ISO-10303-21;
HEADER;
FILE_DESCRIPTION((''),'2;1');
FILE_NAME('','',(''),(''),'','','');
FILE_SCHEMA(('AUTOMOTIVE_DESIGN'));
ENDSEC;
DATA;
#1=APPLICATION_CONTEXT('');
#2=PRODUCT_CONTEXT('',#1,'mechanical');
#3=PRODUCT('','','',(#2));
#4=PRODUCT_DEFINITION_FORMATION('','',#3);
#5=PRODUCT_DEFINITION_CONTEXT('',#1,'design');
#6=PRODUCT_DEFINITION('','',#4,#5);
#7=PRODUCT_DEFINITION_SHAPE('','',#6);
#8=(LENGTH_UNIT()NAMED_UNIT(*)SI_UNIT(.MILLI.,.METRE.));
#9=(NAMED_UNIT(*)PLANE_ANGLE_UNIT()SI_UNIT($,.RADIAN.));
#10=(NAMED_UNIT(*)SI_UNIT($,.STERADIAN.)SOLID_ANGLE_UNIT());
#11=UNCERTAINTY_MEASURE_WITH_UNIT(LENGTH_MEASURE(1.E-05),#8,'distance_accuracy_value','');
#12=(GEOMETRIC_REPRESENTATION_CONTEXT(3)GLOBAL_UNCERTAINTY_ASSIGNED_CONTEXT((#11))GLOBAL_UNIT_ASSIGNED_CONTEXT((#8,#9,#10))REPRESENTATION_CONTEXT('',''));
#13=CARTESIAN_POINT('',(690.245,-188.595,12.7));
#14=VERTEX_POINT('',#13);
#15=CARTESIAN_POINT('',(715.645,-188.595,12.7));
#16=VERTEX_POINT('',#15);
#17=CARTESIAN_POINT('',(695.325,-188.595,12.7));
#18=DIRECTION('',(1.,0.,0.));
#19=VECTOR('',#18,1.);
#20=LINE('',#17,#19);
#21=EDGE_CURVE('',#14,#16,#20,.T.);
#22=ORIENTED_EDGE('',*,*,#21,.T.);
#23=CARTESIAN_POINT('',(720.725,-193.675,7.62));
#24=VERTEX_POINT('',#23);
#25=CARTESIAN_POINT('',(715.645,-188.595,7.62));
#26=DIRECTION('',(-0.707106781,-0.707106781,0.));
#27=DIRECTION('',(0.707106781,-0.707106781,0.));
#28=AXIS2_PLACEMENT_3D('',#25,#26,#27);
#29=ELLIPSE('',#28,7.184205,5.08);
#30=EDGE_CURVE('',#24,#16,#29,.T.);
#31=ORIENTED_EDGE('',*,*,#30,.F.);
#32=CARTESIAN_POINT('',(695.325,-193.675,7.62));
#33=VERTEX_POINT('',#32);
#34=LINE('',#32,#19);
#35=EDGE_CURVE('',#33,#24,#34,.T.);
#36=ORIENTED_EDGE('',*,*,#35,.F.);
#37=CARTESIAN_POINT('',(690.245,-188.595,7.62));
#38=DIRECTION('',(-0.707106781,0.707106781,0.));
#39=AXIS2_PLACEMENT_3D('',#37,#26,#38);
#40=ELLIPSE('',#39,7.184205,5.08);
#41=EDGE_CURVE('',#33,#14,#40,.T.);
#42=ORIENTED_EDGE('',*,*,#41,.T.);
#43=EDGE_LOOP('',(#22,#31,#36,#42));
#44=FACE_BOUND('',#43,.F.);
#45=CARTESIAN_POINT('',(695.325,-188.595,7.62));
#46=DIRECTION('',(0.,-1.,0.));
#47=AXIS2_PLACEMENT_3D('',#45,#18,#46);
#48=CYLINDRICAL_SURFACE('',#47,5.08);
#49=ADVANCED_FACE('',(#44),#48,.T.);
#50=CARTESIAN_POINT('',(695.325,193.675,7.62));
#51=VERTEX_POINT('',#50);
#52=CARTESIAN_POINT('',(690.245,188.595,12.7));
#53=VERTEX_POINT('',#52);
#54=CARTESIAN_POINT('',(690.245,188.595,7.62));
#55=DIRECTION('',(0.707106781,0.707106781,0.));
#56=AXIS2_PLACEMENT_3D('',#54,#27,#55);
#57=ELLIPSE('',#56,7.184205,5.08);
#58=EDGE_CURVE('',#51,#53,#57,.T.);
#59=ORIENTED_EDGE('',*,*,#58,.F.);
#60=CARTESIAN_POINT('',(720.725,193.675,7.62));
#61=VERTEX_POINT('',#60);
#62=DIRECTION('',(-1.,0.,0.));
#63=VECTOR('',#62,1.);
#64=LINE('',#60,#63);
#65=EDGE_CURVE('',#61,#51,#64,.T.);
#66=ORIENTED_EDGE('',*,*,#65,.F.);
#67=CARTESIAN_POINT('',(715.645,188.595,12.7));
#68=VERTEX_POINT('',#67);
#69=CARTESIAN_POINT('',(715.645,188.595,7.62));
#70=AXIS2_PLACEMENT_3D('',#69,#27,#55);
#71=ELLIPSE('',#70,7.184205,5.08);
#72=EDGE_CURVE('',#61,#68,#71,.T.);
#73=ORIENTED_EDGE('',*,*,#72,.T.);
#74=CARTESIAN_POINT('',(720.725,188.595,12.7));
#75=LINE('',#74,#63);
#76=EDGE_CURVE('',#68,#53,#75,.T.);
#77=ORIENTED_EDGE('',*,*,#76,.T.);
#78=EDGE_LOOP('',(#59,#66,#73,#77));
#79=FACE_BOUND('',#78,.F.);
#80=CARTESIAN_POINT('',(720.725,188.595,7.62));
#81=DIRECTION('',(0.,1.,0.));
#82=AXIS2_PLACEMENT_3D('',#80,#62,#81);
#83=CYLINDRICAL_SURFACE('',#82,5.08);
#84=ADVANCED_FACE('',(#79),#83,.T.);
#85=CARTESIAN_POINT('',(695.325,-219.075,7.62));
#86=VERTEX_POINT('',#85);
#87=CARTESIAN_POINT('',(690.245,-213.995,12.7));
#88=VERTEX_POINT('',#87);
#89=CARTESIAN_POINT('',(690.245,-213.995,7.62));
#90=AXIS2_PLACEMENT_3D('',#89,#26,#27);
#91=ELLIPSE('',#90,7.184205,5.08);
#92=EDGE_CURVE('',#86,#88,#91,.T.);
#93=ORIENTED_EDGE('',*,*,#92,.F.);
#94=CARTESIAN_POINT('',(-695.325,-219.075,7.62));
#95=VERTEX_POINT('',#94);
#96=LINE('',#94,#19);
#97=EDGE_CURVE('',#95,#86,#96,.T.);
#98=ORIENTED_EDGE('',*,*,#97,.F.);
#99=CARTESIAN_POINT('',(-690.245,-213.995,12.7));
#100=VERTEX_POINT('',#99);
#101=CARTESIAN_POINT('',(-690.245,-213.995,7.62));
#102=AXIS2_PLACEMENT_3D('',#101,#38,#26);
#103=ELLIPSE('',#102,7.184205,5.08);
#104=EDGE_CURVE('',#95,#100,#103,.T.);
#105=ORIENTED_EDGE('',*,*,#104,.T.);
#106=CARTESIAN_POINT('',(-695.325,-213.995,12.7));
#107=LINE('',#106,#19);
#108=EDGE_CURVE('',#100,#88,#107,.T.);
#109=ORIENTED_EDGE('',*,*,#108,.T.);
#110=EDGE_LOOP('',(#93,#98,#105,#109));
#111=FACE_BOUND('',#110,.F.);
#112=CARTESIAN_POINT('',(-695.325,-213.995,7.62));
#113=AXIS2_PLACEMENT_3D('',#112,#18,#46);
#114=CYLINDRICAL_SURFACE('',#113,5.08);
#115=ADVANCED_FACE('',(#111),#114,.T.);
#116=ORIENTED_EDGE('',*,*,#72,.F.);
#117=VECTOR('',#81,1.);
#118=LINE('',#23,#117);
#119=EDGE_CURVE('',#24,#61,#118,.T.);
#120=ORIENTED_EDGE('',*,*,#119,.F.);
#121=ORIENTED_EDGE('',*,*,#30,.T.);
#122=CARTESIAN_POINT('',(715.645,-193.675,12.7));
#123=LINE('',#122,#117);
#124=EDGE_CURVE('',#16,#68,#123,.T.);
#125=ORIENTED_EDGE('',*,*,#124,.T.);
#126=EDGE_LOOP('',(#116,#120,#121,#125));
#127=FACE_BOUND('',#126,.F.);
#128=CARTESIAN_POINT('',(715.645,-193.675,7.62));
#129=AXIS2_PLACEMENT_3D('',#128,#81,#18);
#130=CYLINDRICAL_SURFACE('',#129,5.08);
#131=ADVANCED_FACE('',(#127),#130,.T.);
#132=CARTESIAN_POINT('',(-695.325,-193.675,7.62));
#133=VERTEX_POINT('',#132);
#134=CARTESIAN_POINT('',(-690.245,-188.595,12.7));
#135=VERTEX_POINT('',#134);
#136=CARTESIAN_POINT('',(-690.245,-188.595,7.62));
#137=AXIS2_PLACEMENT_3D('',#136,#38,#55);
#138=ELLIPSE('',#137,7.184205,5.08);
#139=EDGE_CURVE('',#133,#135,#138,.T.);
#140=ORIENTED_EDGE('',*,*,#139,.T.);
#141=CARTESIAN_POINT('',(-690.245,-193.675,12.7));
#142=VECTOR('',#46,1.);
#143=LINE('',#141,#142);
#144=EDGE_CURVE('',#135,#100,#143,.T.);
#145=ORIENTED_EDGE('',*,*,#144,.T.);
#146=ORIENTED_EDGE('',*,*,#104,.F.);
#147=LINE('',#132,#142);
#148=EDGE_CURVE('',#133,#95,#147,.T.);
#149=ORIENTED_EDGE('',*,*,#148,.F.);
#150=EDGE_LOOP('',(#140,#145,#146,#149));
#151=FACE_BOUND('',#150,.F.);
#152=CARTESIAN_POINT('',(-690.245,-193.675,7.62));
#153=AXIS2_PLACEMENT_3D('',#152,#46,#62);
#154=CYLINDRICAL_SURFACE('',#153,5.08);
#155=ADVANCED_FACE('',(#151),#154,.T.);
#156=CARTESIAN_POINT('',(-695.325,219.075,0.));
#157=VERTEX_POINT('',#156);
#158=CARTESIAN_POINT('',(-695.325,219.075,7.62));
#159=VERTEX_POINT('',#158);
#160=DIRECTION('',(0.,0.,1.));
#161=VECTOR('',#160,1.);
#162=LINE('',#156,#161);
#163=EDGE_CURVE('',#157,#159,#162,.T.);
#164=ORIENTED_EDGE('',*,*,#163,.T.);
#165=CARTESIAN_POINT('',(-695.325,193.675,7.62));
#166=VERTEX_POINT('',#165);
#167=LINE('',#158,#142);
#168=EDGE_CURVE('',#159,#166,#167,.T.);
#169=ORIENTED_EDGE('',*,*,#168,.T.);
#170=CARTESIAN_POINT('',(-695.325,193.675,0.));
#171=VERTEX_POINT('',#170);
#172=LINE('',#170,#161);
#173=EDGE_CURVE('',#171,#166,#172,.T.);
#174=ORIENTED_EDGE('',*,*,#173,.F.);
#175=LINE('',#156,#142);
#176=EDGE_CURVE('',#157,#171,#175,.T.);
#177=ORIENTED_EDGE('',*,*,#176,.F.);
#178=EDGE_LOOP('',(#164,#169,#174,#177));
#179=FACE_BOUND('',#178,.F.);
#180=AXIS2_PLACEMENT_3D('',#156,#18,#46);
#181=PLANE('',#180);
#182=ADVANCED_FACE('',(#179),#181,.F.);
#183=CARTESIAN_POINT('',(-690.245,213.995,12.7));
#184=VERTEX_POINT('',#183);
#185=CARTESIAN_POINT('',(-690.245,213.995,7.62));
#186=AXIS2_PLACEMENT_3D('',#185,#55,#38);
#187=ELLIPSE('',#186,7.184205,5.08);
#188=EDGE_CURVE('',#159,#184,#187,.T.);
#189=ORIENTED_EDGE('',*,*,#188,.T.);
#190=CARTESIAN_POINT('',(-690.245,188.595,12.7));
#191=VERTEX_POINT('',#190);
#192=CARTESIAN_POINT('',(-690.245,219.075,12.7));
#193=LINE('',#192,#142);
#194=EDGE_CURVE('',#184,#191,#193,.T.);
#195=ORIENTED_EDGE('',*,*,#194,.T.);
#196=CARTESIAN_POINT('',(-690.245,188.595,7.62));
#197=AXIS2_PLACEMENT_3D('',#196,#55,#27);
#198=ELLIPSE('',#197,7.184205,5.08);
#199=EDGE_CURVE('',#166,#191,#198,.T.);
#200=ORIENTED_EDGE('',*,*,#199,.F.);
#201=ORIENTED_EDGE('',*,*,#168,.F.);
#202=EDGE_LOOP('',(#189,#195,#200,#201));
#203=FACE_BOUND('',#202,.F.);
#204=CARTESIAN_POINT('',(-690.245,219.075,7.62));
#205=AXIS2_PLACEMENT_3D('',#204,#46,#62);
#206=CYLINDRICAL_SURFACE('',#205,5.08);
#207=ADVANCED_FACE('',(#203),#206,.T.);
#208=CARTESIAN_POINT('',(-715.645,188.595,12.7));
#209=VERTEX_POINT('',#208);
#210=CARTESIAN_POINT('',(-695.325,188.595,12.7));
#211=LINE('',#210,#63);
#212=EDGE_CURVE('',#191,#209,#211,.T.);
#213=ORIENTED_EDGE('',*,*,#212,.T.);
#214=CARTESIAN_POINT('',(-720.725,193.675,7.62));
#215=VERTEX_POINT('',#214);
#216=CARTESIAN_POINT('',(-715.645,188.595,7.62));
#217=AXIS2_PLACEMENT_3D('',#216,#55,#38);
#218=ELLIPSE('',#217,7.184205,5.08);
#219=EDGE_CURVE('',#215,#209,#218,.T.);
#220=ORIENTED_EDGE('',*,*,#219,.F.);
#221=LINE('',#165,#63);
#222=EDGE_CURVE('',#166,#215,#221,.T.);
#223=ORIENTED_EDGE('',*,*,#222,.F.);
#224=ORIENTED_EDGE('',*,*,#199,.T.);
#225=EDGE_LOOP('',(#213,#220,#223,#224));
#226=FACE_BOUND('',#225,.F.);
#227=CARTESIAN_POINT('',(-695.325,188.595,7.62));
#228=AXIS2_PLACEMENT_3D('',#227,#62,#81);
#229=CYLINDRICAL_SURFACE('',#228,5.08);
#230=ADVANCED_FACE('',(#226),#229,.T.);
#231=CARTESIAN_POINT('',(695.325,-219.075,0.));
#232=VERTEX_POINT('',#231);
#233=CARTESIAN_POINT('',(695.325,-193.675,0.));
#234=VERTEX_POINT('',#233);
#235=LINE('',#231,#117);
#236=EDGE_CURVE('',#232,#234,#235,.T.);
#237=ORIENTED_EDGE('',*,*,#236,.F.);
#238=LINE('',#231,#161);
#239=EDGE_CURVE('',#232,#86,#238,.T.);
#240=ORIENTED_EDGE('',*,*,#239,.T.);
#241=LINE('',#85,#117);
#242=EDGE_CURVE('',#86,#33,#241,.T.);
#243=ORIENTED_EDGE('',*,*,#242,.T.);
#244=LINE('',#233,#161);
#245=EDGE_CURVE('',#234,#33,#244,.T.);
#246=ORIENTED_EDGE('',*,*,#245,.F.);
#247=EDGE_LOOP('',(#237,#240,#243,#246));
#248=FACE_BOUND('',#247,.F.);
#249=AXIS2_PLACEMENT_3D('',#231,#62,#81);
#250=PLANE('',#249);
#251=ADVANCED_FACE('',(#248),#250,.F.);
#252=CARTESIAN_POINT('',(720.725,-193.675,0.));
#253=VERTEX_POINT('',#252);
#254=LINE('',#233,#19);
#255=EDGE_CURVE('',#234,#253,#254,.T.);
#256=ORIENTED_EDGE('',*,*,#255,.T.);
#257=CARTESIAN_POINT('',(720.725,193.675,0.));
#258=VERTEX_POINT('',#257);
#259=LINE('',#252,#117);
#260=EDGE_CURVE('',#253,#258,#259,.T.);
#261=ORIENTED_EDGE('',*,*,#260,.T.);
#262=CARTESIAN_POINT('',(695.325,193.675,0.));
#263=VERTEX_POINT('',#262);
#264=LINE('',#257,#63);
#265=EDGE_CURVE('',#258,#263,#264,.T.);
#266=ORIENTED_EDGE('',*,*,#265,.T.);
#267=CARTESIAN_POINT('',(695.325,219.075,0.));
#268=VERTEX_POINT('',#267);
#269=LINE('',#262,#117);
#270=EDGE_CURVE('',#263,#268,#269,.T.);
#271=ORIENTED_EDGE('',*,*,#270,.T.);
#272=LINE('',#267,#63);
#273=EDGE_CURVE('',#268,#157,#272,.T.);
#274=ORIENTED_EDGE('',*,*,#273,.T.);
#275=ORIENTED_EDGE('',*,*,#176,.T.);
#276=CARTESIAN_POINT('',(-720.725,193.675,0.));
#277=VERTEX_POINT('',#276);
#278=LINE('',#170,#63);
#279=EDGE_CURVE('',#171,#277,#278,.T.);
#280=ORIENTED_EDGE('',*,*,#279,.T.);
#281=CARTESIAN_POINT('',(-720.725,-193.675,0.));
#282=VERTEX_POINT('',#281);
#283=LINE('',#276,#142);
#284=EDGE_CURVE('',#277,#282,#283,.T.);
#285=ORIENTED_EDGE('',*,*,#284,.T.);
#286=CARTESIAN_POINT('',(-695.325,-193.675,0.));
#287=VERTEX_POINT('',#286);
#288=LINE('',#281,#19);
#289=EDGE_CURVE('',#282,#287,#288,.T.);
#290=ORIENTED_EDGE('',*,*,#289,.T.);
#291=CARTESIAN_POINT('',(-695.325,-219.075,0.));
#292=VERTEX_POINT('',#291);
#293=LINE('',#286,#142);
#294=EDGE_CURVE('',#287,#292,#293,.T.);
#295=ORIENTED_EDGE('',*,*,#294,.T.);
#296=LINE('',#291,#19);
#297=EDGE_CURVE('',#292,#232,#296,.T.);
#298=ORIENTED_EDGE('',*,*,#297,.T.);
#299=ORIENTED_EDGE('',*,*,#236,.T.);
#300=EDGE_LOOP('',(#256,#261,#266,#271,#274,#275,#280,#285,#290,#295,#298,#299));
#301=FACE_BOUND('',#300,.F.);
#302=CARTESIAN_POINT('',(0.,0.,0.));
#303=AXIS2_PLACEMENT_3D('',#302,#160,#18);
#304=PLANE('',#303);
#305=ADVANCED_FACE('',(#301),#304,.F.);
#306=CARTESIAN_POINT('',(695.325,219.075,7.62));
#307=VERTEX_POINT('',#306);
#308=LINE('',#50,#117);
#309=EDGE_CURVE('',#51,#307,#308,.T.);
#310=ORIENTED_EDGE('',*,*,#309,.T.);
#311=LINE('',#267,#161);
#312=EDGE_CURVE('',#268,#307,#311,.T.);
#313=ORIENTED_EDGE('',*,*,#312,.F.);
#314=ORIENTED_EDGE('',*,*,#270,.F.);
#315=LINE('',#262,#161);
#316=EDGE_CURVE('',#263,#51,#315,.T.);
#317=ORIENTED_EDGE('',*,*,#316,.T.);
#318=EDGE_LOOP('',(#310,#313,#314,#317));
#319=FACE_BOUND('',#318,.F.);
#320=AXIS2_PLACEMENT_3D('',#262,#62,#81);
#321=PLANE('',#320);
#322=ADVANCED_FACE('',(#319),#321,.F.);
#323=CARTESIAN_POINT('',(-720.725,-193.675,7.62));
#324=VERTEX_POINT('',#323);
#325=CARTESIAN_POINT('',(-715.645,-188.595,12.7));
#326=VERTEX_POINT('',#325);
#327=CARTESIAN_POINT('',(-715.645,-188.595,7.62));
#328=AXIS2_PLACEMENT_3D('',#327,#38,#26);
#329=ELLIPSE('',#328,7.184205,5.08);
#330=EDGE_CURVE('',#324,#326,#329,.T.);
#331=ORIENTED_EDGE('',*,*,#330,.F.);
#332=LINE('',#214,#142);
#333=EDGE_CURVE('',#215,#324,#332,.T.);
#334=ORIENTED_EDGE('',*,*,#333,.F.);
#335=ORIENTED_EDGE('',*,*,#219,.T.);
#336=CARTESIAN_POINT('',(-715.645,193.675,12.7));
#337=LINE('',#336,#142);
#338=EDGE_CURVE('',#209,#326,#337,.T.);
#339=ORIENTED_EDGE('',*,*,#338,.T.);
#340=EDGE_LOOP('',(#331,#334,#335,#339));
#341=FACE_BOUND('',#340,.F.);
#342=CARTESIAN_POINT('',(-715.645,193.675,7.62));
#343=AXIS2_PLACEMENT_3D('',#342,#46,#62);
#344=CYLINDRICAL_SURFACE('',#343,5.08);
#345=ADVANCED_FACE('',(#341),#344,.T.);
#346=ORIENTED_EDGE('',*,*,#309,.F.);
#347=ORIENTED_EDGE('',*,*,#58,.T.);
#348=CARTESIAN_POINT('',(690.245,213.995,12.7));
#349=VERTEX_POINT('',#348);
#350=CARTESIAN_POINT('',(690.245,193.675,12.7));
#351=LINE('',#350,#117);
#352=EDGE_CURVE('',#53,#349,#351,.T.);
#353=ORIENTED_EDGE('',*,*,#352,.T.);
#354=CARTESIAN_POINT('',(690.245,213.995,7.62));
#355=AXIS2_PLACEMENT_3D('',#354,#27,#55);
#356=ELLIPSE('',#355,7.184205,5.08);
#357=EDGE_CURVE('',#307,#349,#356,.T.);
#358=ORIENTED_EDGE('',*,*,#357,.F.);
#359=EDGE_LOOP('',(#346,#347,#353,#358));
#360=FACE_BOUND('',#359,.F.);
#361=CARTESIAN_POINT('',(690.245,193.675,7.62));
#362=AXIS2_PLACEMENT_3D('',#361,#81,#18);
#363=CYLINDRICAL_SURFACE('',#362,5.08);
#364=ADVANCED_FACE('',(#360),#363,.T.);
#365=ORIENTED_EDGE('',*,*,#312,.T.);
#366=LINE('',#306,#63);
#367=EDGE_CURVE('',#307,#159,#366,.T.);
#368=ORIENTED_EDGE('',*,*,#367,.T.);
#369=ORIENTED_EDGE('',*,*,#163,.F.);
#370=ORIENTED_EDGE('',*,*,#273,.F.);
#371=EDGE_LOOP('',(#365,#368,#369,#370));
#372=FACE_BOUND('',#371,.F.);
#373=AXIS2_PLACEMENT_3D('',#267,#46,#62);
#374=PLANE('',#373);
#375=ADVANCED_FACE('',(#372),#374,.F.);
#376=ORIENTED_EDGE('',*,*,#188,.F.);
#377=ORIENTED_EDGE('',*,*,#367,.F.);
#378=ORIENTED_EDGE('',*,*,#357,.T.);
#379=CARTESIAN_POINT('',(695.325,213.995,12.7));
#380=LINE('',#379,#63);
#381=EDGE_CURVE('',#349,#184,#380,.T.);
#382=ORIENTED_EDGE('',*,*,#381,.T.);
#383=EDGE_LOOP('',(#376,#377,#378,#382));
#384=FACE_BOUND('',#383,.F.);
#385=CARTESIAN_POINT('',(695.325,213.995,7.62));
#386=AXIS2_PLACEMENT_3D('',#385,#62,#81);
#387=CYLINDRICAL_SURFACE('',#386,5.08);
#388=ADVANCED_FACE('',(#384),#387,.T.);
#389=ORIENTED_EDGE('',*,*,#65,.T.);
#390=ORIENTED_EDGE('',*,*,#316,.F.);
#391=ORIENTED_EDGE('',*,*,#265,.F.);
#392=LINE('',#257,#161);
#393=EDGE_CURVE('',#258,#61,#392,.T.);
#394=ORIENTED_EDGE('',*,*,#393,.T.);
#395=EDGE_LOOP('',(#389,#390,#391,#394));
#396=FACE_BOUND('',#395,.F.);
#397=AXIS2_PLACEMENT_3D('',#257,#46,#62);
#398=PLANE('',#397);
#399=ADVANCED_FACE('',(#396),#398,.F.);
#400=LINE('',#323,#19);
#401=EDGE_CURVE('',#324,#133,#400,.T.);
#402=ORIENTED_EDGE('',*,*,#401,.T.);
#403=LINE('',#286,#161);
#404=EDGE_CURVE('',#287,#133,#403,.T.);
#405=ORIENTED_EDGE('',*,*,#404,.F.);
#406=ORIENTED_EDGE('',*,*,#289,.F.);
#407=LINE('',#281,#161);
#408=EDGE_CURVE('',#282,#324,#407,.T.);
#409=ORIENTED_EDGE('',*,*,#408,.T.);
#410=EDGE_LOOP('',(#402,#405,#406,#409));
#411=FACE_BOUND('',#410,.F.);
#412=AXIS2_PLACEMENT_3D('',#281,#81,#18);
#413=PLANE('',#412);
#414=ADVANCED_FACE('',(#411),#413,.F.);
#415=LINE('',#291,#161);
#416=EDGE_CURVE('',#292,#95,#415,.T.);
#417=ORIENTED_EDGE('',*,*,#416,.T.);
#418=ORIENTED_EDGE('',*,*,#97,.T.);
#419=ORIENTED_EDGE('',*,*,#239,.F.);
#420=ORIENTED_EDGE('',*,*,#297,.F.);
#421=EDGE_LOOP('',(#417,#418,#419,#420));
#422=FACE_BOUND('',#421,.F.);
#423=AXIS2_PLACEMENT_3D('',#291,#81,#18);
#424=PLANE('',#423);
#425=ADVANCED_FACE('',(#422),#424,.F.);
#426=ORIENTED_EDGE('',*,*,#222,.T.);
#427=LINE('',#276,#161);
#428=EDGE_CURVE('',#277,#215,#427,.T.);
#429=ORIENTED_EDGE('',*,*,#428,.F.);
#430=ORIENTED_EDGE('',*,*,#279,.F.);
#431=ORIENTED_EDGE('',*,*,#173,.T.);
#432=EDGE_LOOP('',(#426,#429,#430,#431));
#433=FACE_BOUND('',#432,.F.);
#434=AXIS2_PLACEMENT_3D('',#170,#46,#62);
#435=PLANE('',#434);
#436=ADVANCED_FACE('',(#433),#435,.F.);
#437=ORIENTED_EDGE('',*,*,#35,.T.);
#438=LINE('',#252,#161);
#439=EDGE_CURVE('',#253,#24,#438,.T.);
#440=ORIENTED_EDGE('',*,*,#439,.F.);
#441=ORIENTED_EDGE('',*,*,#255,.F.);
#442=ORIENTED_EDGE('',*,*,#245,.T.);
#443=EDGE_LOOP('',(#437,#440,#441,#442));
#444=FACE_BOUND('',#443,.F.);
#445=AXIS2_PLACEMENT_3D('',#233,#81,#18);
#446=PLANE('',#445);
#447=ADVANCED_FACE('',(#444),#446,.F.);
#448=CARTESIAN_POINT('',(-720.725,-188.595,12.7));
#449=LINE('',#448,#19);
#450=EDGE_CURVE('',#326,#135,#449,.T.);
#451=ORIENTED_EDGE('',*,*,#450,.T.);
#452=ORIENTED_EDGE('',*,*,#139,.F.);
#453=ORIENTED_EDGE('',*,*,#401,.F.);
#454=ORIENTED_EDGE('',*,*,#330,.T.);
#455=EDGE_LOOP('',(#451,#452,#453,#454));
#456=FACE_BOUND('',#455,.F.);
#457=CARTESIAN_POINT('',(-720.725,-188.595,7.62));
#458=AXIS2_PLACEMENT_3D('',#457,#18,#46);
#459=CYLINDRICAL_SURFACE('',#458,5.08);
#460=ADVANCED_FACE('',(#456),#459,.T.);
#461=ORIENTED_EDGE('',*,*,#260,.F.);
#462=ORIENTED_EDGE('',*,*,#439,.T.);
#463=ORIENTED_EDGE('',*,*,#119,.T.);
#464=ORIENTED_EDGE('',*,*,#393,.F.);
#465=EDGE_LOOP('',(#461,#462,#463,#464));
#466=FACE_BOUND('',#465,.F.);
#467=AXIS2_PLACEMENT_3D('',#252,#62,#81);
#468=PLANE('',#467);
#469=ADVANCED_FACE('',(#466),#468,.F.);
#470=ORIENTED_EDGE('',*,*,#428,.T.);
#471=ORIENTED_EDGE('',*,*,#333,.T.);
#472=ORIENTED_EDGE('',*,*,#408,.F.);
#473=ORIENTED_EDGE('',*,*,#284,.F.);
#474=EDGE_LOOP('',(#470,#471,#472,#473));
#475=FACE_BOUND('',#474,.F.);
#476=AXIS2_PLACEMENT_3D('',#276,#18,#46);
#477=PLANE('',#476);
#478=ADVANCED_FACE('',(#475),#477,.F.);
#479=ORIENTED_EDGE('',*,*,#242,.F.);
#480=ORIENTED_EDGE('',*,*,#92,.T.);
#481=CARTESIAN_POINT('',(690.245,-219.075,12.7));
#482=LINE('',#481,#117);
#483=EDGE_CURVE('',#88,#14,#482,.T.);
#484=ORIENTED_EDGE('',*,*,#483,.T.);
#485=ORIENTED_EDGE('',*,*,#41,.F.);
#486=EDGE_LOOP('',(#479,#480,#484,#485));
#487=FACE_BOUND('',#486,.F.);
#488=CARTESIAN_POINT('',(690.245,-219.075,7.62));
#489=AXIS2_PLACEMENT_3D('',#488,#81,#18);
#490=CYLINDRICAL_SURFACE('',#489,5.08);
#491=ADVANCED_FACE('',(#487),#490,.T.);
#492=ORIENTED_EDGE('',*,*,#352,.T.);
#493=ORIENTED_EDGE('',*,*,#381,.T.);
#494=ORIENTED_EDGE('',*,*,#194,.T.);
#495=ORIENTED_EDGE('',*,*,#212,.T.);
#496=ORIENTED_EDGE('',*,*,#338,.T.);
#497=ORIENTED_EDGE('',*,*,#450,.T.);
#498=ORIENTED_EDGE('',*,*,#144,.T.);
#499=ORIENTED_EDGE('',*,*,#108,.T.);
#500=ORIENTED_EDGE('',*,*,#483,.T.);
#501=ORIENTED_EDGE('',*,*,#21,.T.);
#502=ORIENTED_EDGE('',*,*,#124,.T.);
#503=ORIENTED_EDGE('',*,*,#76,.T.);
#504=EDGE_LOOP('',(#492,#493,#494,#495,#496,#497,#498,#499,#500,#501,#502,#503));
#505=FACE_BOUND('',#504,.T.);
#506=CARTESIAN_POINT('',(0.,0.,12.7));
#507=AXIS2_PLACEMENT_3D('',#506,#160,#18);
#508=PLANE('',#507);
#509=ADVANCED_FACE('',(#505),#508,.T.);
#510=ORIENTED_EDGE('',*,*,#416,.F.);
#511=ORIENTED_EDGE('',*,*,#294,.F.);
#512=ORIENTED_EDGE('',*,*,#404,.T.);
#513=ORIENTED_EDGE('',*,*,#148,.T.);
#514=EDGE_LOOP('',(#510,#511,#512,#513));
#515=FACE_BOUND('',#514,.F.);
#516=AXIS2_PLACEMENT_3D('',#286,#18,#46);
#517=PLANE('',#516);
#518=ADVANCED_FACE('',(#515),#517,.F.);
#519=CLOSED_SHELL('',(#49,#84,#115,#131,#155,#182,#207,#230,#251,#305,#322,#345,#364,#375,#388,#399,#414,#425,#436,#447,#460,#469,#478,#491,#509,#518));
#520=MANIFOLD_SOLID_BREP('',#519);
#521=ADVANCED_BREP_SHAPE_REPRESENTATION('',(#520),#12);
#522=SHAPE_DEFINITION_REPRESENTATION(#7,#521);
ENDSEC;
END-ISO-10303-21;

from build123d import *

# Parameters (mm, degrees)
F1_DEPTH = 12.7
F2_R     = 5.08


with BuildPart() as f1:
    # F0 (on Top) → F1 (new body)
    with BuildSketch(Plane.XY):
        Polygon((695.325, 193.675), (695.325, 219.075), (-695.325, 219.075), (-695.325, 193.675), (-720.725, 193.675), (-720.725, -193.675), (-695.325, -193.675), (-695.325, -219.075), (695.325, -219.075), (695.325, -193.675), (720.725, -193.675), (720.725, 193.675), align=None)
    extrude(amount=F1_DEPTH)

    # F2
    f2_edges = [f1.edges().sort_by_distance(p)[0] for p in [
        (695.325, 206.375, 12.7),
        (0, 219.075, 12.7),
        (-695.325, 206.375, 12.7),
        (-708.025, 193.675, 12.7),
        (-720.725, 0, 12.7),
        (-708.025, -193.675, 12.7),
        (-695.325, -206.375, 12.7),
        (0, -219.075, 12.7),
        (695.325, -206.375, 12.7),
        (708.025, -193.675, 12.7),
        (720.725, 0, 12.7),
        (708.025, 193.675, 12.7),
    ]]
    fillet(f2_edges, radius=F2_R)


solid = f1.part
